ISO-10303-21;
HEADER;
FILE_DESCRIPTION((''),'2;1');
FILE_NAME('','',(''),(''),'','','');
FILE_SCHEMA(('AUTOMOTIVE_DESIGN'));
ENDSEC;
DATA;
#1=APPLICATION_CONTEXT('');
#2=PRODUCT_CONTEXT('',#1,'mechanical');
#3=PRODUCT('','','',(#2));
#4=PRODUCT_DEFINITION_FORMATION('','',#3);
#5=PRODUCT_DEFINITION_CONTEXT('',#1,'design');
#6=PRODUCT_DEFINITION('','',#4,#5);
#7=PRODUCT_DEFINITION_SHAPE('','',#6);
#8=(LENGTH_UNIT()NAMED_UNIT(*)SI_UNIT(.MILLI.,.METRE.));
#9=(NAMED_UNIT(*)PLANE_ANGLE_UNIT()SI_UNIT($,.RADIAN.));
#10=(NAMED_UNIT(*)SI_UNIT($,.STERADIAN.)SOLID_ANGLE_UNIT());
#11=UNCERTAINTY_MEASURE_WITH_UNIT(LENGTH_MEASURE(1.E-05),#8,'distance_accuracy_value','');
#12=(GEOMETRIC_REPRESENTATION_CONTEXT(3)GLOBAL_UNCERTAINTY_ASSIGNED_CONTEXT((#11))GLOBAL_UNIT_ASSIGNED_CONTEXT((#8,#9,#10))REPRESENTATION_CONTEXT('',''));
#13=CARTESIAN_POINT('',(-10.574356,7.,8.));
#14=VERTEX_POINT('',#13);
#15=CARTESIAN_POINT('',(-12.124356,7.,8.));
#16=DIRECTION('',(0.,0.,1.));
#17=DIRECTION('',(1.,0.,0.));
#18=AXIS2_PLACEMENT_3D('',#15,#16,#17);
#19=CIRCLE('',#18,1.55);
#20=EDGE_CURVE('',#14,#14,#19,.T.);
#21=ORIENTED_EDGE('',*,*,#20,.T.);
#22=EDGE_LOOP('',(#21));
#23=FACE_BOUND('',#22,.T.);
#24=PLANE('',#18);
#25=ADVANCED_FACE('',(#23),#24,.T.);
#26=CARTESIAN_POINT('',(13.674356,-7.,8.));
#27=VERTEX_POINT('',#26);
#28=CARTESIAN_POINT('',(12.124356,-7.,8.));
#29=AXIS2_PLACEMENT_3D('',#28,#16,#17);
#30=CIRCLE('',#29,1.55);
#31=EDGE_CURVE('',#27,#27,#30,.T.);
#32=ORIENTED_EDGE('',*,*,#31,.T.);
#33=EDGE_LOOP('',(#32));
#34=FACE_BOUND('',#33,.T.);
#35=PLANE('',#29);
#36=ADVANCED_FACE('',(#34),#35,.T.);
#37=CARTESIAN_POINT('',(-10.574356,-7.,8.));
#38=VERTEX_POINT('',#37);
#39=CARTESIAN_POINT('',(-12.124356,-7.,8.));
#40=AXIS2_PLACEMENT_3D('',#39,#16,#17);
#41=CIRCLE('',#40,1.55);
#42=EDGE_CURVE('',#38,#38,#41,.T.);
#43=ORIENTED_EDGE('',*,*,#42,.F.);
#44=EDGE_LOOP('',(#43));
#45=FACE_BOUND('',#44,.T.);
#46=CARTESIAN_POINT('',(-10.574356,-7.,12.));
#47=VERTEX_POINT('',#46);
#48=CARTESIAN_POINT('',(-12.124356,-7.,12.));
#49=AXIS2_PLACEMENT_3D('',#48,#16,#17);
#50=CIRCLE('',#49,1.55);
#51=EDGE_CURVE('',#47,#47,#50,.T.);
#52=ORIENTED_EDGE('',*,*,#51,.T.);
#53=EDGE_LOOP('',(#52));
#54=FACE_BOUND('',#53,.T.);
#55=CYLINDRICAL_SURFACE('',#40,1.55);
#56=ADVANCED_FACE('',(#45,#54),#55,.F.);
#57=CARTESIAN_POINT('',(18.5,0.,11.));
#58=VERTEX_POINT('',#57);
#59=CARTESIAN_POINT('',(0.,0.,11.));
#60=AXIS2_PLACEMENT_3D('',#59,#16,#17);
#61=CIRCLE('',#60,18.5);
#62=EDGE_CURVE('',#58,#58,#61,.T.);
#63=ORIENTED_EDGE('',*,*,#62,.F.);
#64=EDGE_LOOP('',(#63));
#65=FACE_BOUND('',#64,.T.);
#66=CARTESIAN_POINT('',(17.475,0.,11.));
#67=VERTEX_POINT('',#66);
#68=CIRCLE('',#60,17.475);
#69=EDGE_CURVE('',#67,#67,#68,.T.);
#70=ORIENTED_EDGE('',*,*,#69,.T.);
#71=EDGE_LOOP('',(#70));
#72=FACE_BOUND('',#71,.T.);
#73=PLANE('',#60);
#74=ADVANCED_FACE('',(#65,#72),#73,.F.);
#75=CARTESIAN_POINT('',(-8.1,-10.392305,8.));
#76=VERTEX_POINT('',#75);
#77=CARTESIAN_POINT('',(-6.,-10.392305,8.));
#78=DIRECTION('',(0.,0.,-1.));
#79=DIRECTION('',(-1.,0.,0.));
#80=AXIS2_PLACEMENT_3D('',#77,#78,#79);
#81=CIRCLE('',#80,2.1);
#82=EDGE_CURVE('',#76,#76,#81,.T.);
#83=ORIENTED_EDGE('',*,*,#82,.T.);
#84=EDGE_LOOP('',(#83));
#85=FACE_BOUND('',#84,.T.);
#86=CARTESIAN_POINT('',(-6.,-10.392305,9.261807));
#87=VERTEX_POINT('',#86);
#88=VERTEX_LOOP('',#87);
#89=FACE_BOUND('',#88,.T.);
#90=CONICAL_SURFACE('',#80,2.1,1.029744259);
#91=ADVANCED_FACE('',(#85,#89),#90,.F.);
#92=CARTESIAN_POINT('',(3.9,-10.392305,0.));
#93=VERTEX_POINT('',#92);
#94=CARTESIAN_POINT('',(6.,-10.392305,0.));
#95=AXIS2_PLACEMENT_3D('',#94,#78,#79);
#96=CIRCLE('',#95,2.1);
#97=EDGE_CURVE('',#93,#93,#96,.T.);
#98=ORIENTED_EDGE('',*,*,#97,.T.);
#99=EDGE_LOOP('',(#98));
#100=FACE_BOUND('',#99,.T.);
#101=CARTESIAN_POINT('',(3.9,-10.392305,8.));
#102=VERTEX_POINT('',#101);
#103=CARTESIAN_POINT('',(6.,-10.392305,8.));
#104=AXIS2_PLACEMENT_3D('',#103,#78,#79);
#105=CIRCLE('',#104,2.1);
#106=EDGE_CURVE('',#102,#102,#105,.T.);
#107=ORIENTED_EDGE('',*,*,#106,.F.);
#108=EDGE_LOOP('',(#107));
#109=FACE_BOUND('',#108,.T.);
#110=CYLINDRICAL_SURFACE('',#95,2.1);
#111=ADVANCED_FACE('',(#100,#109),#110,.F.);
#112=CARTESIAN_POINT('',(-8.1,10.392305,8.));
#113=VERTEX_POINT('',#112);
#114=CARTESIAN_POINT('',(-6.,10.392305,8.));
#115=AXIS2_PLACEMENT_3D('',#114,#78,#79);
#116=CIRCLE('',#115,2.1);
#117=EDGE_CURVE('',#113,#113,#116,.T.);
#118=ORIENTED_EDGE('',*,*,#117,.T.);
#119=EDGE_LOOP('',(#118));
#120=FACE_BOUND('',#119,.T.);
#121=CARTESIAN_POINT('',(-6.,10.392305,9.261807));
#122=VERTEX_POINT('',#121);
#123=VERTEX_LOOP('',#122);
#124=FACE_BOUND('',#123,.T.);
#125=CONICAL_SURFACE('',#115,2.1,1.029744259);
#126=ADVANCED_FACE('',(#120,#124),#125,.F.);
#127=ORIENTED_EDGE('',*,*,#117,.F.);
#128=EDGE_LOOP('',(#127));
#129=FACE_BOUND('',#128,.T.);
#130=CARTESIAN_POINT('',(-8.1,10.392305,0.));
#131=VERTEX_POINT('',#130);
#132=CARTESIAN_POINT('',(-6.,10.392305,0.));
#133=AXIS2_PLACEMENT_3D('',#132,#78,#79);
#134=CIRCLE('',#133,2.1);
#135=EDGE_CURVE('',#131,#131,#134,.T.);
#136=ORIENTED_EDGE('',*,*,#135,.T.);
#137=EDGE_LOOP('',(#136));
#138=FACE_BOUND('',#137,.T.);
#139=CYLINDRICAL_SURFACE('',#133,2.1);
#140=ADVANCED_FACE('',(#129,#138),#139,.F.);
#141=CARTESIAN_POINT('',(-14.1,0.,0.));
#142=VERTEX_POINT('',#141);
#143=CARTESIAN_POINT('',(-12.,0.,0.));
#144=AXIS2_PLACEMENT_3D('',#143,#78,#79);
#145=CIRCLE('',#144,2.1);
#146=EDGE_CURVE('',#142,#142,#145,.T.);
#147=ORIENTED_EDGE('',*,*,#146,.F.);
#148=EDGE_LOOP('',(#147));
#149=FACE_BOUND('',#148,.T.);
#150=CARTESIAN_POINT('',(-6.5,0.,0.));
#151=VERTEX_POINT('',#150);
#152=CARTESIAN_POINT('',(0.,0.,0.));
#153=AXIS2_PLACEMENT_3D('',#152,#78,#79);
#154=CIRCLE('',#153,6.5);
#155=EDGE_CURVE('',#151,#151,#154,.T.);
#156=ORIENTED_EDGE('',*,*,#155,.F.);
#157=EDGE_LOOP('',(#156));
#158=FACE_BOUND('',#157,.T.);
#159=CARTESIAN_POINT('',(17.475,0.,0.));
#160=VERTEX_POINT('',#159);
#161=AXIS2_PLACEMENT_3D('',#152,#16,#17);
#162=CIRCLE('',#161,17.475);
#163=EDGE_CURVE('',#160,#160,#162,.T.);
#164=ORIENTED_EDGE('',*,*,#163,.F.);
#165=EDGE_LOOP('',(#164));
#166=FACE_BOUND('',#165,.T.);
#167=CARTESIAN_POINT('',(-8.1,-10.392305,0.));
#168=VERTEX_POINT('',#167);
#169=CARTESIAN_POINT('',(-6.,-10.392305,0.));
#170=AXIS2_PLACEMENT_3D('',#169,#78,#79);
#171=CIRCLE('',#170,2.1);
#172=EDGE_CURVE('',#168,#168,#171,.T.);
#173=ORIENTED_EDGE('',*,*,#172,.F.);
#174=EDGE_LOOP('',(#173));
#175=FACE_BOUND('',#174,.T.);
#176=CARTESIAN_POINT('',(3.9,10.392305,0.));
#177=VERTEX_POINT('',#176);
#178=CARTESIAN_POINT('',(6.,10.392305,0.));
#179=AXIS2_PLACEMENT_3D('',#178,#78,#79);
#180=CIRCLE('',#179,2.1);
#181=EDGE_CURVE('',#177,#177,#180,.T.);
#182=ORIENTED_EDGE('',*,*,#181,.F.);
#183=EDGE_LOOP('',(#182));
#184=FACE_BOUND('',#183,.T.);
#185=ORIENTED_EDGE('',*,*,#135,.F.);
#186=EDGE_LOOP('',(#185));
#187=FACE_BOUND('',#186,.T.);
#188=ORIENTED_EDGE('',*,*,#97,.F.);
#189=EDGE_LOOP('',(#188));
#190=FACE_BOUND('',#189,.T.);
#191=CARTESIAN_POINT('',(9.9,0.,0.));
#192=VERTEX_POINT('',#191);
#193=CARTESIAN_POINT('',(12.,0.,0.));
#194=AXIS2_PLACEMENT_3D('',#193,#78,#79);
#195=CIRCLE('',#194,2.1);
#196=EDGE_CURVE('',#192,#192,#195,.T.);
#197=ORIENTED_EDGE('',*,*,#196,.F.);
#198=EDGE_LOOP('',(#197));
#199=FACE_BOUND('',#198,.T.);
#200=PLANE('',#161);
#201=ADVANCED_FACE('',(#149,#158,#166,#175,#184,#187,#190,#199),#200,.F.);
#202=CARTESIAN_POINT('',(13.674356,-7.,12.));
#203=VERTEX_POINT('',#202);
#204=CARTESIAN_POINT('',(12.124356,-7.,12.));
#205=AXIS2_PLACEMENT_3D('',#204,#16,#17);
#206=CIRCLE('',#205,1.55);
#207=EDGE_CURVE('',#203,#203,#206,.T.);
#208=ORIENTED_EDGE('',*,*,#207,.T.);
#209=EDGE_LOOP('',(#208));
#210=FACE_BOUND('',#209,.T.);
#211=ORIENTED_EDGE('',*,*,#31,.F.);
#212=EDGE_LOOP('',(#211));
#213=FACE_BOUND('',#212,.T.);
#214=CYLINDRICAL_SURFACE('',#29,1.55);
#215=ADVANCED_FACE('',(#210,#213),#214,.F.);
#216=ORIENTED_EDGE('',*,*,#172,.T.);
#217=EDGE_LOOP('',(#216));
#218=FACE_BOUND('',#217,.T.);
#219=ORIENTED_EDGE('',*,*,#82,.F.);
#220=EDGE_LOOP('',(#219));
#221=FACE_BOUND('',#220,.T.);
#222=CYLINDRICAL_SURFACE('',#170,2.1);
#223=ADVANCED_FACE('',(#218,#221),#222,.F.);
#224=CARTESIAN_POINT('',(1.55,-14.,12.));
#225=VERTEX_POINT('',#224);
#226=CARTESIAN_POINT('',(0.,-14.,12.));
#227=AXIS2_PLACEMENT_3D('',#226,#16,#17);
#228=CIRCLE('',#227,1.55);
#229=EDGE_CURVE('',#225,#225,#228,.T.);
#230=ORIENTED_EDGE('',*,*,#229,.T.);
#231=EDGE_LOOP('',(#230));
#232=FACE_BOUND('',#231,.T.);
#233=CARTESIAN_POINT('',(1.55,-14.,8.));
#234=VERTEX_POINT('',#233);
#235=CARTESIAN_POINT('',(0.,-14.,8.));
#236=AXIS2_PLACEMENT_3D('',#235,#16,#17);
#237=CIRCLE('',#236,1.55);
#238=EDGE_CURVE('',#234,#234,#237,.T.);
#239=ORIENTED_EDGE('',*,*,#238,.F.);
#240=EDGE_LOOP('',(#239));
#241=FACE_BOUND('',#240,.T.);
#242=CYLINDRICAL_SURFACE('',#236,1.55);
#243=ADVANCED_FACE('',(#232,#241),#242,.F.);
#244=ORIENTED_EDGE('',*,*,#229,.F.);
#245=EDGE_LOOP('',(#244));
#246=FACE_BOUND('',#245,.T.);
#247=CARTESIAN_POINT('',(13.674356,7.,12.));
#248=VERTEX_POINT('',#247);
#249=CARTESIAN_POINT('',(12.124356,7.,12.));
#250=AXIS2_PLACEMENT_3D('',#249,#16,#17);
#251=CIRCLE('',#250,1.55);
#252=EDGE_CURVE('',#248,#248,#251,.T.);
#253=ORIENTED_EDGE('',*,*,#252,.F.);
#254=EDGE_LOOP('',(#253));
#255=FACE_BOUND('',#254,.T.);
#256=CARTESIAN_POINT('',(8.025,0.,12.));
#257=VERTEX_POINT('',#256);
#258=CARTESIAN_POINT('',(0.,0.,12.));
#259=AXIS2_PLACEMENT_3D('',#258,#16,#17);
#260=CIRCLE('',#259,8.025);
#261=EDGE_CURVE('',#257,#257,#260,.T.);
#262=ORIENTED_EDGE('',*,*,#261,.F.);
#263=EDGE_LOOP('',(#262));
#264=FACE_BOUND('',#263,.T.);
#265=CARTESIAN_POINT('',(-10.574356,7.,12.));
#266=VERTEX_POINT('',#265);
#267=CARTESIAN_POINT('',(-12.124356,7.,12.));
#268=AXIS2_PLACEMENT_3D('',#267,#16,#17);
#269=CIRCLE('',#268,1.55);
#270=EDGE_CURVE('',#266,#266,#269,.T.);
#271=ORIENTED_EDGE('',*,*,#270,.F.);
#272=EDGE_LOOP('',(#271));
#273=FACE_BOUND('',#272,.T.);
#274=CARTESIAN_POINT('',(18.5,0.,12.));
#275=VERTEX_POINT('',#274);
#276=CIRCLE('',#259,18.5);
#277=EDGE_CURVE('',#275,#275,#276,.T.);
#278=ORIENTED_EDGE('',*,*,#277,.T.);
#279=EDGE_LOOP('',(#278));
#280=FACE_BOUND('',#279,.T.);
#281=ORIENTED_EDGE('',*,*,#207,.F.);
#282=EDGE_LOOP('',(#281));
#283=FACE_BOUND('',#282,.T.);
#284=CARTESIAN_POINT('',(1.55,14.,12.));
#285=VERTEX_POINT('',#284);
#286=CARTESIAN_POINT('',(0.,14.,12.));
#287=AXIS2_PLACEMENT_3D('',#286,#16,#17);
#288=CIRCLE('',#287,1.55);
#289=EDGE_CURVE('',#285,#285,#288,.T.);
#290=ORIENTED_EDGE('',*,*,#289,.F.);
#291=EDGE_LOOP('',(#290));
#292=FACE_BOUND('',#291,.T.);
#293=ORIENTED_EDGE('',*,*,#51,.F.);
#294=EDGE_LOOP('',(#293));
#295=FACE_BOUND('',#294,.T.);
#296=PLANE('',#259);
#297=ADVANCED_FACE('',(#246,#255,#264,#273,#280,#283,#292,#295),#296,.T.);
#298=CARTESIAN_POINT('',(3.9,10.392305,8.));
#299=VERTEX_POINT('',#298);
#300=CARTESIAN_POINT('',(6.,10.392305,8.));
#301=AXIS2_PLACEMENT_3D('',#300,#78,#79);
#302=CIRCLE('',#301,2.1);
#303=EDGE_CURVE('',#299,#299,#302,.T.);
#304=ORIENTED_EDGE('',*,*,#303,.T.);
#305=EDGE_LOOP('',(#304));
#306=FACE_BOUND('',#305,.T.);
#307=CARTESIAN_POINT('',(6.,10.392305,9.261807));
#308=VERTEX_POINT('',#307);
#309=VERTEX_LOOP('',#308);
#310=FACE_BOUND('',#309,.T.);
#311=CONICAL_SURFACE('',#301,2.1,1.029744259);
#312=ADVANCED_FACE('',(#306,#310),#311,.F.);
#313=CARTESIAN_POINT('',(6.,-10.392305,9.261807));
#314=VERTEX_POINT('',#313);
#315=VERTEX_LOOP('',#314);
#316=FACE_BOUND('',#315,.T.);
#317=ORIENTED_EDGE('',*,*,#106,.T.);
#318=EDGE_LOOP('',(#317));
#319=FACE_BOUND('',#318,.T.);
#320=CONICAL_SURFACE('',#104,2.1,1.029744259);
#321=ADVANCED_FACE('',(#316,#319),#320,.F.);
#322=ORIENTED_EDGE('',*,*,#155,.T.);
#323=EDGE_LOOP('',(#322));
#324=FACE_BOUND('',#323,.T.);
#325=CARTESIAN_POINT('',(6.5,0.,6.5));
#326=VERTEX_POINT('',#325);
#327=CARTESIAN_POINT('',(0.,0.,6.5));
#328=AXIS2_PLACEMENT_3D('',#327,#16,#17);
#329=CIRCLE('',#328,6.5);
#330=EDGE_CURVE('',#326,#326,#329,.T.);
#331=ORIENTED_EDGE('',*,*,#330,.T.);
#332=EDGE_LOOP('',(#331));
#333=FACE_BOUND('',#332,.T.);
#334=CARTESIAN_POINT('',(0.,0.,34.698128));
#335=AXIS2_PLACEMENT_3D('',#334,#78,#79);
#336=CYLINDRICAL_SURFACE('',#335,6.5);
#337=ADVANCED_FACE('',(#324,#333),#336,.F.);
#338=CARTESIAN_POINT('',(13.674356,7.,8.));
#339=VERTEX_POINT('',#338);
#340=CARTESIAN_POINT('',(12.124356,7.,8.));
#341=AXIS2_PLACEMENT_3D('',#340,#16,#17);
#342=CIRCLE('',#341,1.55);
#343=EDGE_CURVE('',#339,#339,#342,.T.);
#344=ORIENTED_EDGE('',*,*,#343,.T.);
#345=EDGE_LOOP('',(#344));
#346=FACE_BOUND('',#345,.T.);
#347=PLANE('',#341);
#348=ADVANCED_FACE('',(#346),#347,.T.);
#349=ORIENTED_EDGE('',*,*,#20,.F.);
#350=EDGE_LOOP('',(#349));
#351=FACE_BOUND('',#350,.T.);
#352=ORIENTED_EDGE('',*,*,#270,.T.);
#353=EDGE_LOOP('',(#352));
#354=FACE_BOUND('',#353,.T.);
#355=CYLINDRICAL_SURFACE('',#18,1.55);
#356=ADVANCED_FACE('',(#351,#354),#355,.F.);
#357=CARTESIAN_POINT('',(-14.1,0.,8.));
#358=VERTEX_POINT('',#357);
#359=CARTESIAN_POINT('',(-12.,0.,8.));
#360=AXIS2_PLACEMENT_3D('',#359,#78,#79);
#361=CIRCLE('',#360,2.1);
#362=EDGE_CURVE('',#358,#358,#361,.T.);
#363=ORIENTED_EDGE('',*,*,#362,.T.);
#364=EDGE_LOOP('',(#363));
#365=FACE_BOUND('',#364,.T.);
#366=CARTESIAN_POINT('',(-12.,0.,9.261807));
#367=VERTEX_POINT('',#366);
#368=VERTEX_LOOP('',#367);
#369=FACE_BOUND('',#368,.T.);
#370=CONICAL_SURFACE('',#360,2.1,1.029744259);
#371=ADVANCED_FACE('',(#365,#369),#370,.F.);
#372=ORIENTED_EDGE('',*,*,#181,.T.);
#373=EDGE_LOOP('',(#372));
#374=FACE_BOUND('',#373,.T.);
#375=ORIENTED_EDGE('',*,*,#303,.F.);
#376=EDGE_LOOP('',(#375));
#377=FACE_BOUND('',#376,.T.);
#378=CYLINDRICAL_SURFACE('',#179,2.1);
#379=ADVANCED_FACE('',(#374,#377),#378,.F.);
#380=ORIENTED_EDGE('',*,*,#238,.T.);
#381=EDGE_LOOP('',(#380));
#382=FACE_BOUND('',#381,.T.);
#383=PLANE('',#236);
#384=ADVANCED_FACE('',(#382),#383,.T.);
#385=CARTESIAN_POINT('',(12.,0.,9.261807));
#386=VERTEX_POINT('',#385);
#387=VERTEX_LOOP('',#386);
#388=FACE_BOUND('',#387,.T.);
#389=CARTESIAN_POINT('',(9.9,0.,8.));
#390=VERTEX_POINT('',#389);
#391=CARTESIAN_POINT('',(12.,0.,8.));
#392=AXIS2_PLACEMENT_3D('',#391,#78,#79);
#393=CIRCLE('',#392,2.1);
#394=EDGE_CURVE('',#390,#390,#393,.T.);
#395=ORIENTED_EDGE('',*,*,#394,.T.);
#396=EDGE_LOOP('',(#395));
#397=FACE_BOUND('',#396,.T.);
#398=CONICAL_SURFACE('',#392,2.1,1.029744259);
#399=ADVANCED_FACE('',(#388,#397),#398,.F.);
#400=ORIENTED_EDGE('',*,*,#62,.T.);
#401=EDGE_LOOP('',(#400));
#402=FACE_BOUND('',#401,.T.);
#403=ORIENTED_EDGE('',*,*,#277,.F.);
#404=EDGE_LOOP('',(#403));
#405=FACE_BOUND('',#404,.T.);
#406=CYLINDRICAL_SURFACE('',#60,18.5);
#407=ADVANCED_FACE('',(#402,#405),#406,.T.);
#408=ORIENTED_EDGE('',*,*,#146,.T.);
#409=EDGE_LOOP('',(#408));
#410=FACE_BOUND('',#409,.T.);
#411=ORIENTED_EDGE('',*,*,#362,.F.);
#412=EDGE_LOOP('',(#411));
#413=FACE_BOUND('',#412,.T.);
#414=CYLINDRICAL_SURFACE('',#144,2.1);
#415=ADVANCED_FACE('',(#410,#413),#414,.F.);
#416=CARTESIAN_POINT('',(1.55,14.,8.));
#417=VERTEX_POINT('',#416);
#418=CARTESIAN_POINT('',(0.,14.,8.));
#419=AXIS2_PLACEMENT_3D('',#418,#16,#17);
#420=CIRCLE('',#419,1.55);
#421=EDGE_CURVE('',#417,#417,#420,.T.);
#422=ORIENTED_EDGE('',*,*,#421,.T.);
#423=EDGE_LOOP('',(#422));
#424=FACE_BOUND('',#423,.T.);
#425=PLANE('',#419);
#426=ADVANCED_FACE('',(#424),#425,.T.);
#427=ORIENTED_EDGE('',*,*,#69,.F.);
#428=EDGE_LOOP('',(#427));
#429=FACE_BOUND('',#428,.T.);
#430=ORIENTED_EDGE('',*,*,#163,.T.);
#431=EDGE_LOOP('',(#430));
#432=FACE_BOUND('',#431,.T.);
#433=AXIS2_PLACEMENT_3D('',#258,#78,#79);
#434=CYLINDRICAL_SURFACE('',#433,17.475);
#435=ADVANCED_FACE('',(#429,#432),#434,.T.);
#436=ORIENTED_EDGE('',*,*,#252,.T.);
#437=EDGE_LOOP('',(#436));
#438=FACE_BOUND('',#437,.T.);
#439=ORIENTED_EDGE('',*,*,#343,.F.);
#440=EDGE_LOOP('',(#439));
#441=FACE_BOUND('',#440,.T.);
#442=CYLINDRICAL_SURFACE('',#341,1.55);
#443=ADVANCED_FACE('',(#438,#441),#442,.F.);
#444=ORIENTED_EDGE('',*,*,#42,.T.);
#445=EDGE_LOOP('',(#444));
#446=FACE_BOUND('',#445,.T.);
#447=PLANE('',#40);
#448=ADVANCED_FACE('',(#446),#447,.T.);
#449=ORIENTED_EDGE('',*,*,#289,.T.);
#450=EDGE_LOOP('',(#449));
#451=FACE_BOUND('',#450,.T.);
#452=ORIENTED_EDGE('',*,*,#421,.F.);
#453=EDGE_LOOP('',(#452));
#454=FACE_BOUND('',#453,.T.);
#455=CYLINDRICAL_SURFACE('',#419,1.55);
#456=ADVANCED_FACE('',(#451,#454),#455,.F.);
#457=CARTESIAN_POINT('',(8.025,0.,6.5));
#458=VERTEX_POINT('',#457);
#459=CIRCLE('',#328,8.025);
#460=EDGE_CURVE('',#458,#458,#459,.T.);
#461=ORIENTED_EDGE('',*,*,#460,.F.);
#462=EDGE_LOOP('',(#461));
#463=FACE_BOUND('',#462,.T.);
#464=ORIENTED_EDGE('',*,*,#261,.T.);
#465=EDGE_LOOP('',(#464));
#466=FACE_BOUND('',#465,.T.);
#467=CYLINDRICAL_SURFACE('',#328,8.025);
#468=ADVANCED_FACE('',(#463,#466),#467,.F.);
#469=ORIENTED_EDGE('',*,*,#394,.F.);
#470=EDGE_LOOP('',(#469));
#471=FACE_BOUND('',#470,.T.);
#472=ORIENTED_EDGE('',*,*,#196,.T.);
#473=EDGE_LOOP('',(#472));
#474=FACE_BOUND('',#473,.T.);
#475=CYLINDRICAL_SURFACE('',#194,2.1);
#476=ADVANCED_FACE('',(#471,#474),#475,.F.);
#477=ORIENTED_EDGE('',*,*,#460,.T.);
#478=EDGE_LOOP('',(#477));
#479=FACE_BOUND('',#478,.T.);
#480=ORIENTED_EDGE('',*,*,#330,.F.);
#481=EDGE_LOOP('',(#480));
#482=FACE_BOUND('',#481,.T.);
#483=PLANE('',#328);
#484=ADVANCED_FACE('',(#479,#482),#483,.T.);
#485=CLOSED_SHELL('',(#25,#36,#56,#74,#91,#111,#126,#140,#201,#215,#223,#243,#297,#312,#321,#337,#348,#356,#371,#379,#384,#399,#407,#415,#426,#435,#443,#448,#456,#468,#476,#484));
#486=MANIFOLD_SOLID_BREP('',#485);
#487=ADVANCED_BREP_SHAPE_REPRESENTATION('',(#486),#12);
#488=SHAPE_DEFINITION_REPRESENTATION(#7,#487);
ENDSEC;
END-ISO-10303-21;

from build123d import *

# Parameters (mm, degrees)
SKETCH1_R             = 17.475
SKETCH1_R_2           = 8.025
BOSS_EXTRUDE1_DEPTH   = 12
CUT_EXTRUDE1_START    = 12
SKETCH1_3_R           = 1.55
CUT_EXTRUDE1_DEPTH    = 4
BOSS_EXTRUDE2_START   = 11
SKETCH1_4_R           = 18.5
SKETCH1_4_R_2         = 17.475
BOSS_EXTRUDE2_DEPTH   = 1
SKETCH2_R             = 8.025
SKETCH2_R_2           = 6.5
BOSS_EXTRUDE3_DEPTH   = 12
CUT_EXTRUDE2_START    = -6.5
SKETCH2_2_R           = 8.025
SKETCH2_2_R_2         = 6.5
CUT_EXTRUDE2_DEPTH    = 5.5
M5_TAPPED_HOLE1_D     = 4.2
M5_TAPPED_HOLE1_DEPTH = 8
M5_TAPPED_HOLE1_TIP   = 1.2618073


with BuildPart() as part:
    # Sketch1 → Boss-Extrude1 (new body)
    with BuildSketch(Plane.XY):
        Circle(SKETCH1_R)
        Circle(SKETCH1_R_2, mode=Mode.SUBTRACT)
    extrude(amount=BOSS_EXTRUDE1_DEPTH)

    # Sketch1<3> → Cut-Extrude1 (cut)
    with BuildSketch(Plane.XY.offset(CUT_EXTRUDE1_START)):
        with Locations((-12.124355653, 7)):
            Circle(SKETCH1_3_R)
        with BuildLine():
            ThreePointArc((0, 15.55), (-1.55, 14), (0, 12.45))
            Line((0, 12.45), (0, 15.55))
        make_face()
        with BuildLine():
            Line((0, 15.55), (0, 12.45))
            ThreePointArc((0, 12.45), (1.096015511, 12.903984489), (1.55, 14))
            ThreePointArc((1.55, 14), (1.096015511, 15.096015511), (0, 15.55))
        make_face()
        with Locations((12.124355653, 7)):
            Circle(SKETCH1_3_R)
        with Locations((12.124355653, -7)):
            Circle(SKETCH1_3_R)
        with Locations((0, -14)):
            Circle(SKETCH1_3_R)
        with Locations((-12.124355653, -7)):
            Circle(SKETCH1_3_R)
    extrude(amount=-CUT_EXTRUDE1_DEPTH, mode=Mode.SUBTRACT)

    # Sketch1<4> → Boss-Extrude2 (add)
    with BuildSketch(Plane.XY.offset(BOSS_EXTRUDE2_START)):
        Circle(SKETCH1_4_R)
        Circle(SKETCH1_4_R_2, mode=Mode.SUBTRACT)
    extrude(amount=BOSS_EXTRUDE2_DEPTH)

    # Sketch2 → Boss-Extrude3 (add)
    with BuildSketch(Plane(origin=(0, 0, 0), x_dir=(-1, 0, 0), z_dir=(0, 0, -1))):
        Circle(SKETCH2_R)
        Circle(SKETCH2_R_2, mode=Mode.SUBTRACT)
    extrude(amount=-BOSS_EXTRUDE3_DEPTH)

    # Sketch2<2> → Cut-Extrude2 (cut)
    with BuildSketch(Plane(origin=(0, 0, 0), x_dir=(-1, 0, 0), z_dir=(0, 0, -1)).offset(CUT_EXTRUDE2_START)):
        with Locations(Location((0, 0, 0), (0, 0, 180))):
            Circle(SKETCH2_2_R)
        Circle(SKETCH2_2_R_2, mode=Mode.SUBTRACT)
    extrude(amount=-CUT_EXTRUDE2_DEPTH, mode=Mode.SUBTRACT)

    # M5 Tapped Hole1
    with Locations(Plane(origin=(0, 0, 0), x_dir=(-1, 0, 0), z_dir=(0, 0, -1))):
        with Locations((-12, 0), (-6, -10.392304845), (6, -10.392304845), (6, 10.392304845), (12, 0), (-6, 10.392304845)):
            Hole(M5_TAPPED_HOLE1_D / 2, depth=M5_TAPPED_HOLE1_DEPTH)
            with Locations((0, 0, -(M5_TAPPED_HOLE1_DEPTH + M5_TAPPED_HOLE1_TIP / 2))):  # 118° drill point
                Cone(0, M5_TAPPED_HOLE1_D / 2, M5_TAPPED_HOLE1_TIP, mode=Mode.SUBTRACT)


solid = part.part
